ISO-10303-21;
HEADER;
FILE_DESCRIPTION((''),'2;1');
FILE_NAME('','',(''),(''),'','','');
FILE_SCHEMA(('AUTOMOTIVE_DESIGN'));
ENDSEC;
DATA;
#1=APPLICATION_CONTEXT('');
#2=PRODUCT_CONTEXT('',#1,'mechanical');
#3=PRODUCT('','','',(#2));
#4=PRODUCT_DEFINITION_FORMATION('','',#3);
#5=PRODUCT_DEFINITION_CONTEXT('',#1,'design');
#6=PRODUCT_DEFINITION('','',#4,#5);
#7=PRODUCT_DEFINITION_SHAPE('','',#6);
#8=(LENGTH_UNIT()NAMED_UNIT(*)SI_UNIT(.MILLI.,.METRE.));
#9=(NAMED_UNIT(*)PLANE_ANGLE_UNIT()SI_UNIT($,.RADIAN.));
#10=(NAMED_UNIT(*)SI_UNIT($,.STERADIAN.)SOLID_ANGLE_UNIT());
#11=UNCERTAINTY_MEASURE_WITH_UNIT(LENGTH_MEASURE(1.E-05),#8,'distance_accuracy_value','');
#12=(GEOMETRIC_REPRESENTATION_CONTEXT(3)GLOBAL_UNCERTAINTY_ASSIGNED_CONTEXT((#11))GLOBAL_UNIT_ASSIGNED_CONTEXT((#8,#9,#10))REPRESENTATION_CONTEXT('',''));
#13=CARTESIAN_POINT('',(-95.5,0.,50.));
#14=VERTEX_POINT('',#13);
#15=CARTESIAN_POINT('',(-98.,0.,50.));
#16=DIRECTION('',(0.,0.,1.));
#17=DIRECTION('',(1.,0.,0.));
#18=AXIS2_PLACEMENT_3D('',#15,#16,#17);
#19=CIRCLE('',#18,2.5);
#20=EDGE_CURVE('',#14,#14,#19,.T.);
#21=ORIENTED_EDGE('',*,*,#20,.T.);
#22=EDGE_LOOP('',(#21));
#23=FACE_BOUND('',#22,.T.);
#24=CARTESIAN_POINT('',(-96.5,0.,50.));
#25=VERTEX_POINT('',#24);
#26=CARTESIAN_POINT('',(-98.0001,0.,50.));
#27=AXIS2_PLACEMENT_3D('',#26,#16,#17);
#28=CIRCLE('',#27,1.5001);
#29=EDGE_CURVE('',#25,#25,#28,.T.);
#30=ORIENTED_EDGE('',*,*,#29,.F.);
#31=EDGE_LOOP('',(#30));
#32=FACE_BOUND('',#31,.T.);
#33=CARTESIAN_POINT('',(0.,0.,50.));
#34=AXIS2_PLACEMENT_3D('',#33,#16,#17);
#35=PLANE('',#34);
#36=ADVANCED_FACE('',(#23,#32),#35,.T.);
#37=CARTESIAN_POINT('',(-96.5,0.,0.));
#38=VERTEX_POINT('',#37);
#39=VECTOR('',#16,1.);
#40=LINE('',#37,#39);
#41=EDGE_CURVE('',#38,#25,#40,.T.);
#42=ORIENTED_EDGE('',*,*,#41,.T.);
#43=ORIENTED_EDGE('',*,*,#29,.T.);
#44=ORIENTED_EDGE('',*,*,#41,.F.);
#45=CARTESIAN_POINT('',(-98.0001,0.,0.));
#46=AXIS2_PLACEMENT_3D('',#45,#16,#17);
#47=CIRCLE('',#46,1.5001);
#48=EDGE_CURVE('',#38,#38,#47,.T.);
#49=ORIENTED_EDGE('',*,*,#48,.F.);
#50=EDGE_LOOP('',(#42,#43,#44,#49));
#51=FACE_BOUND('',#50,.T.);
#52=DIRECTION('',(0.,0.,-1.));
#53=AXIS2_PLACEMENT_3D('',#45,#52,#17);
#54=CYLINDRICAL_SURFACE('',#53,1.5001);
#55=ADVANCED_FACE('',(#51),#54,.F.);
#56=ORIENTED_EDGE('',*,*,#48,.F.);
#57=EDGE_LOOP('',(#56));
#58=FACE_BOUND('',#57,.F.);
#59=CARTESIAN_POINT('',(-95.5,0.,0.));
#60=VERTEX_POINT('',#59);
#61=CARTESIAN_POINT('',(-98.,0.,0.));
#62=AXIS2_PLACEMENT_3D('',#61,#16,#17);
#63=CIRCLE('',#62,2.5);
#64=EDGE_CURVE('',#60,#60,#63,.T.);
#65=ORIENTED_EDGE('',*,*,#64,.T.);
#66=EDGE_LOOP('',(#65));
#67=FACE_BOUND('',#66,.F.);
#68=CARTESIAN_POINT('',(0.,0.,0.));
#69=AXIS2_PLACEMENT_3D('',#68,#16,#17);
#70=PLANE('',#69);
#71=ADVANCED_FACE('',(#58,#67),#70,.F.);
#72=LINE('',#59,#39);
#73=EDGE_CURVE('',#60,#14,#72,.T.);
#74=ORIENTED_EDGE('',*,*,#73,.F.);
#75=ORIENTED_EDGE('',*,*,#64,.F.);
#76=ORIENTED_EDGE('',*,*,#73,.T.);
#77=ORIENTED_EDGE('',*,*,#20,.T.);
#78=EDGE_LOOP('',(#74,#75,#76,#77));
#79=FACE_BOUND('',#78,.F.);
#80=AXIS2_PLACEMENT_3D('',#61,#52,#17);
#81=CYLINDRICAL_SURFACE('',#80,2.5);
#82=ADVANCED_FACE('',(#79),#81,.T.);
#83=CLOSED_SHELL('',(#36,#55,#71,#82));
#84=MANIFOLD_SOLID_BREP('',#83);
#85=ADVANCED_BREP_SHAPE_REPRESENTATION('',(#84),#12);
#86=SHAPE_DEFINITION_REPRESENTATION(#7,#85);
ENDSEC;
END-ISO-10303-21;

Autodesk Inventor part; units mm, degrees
ref_plane "YZ Plane" through (0, 0, 0) normal (1, 0, 0) x (0, 1, 0)
ref_plane "XZ Plane" through (0, 0, 0) normal (0, 1, 0) x (-1, 0, 0)
ref_plane "XY Plane" through (0, 0, 0) normal (0, 0, 1) x (1, 0, 0)
sketch "Boceto1" plane through (0, 0, 0) normal (0, 0, 1) x (1, 0, 0)
  circle A0 centre (-98.0001, 0) radius 1.5001 projected
  circle A1 centre (-98, 0) radius 2.5 projected
  point P0 (0, 0)
extrude "Extrusión1" add sketch "Boceto1" along normal blind 50
properties part number "Varilla2"
